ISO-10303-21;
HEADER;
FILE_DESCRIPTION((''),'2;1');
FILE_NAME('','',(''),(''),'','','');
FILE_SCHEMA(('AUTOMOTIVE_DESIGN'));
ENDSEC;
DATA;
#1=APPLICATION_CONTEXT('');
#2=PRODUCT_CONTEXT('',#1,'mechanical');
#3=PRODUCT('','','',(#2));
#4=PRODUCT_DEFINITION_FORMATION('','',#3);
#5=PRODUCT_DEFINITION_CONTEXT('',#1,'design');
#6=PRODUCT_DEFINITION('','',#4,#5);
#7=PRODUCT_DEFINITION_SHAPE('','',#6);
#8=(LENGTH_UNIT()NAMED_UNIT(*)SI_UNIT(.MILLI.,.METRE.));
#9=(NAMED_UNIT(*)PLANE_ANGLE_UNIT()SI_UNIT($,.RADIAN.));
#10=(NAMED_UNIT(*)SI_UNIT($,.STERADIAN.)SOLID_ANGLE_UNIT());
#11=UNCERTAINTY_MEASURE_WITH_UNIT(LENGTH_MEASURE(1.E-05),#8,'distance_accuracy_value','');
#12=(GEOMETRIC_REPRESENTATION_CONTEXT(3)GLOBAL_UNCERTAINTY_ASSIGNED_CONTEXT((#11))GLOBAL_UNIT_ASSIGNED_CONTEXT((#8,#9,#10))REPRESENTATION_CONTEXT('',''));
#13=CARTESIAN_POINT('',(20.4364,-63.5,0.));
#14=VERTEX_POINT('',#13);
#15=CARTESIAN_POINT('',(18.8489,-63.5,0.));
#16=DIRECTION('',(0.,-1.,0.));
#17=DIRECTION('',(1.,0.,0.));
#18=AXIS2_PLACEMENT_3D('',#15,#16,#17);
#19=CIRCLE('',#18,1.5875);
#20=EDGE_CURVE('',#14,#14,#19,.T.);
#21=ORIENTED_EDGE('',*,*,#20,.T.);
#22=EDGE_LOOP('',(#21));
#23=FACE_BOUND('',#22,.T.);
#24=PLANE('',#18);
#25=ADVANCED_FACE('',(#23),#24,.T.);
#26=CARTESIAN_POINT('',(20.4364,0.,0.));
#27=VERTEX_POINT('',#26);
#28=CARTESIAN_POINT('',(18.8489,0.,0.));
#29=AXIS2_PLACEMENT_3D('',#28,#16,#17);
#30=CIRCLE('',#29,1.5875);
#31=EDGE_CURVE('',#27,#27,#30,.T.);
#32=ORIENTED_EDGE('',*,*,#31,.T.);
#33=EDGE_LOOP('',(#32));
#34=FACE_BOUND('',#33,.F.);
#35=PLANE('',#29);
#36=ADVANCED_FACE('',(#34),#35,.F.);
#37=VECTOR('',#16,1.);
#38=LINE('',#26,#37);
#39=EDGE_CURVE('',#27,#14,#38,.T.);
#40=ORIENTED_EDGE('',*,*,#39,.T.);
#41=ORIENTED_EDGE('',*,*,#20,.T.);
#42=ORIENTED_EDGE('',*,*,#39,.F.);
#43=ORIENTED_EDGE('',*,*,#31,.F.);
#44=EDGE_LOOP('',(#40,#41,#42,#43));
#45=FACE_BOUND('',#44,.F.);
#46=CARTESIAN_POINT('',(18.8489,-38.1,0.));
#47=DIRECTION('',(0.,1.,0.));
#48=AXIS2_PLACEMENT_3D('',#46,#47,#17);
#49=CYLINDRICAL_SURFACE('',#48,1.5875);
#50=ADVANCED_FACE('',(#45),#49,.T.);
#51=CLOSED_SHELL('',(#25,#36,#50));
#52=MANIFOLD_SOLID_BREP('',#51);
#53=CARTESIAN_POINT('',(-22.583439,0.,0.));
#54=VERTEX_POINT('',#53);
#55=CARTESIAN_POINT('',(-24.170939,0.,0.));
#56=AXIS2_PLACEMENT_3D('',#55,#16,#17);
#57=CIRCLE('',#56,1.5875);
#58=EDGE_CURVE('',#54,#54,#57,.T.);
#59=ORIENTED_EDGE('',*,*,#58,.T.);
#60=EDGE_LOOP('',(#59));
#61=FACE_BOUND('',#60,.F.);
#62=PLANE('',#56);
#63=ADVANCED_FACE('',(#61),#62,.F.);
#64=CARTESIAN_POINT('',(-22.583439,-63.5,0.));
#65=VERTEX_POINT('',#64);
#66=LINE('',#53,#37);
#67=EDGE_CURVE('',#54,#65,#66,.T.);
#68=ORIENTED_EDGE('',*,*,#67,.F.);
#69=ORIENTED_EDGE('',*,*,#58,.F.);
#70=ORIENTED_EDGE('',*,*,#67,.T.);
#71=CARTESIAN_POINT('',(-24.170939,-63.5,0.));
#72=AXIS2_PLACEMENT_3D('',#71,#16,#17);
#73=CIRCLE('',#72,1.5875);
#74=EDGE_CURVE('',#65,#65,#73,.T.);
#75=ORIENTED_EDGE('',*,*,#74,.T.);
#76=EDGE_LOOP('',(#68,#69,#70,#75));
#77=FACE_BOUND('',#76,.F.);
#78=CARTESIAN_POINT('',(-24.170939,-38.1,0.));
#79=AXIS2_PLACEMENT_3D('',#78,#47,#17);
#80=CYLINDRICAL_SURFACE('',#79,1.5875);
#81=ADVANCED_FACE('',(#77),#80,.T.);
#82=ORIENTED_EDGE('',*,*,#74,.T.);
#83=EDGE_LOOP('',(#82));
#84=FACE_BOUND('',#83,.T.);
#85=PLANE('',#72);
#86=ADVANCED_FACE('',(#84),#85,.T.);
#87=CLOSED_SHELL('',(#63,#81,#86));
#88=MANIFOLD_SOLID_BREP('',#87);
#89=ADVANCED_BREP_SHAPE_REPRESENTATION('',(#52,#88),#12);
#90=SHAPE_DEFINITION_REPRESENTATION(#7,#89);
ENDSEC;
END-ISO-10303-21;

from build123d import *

# Parameters (mm, degrees)
F0_R      = 1.5875
F1_DEPTH  = 38.1
F1_FACE_R = 1.5875
F2_DEPTH  = 25.4
F3_DEPTH  = 25.4


with BuildPart() as f1:
    # F0 (on Front) → F1 (new body)
    with BuildSketch(Plane.XZ):
        with Locations((-24.170939, 0)):
            Circle(F0_R)
        with Locations((18.8489, 0)):
            Circle(F0_R)
    extrude(amount=F1_DEPTH)

    # F1_face (on face) → F2 (join)
    with BuildSketch(Plane(origin=(18.8489, -38.1, 0), x_dir=(1, 0, 0), z_dir=(0, -1, 0))):
        Circle(F1_FACE_R)
    extrude(amount=F2_DEPTH)

    # F1_face (on face) → F3 (join)
    with BuildSketch(Plane(origin=(18.8489, -38.1, 0), x_dir=(1, 0, 0), z_dir=(0, -1, 0))):
        with Locations((-43.019839, 0)):
            Circle(F1_FACE_R)
    extrude(amount=F3_DEPTH)


solid = f1.part
